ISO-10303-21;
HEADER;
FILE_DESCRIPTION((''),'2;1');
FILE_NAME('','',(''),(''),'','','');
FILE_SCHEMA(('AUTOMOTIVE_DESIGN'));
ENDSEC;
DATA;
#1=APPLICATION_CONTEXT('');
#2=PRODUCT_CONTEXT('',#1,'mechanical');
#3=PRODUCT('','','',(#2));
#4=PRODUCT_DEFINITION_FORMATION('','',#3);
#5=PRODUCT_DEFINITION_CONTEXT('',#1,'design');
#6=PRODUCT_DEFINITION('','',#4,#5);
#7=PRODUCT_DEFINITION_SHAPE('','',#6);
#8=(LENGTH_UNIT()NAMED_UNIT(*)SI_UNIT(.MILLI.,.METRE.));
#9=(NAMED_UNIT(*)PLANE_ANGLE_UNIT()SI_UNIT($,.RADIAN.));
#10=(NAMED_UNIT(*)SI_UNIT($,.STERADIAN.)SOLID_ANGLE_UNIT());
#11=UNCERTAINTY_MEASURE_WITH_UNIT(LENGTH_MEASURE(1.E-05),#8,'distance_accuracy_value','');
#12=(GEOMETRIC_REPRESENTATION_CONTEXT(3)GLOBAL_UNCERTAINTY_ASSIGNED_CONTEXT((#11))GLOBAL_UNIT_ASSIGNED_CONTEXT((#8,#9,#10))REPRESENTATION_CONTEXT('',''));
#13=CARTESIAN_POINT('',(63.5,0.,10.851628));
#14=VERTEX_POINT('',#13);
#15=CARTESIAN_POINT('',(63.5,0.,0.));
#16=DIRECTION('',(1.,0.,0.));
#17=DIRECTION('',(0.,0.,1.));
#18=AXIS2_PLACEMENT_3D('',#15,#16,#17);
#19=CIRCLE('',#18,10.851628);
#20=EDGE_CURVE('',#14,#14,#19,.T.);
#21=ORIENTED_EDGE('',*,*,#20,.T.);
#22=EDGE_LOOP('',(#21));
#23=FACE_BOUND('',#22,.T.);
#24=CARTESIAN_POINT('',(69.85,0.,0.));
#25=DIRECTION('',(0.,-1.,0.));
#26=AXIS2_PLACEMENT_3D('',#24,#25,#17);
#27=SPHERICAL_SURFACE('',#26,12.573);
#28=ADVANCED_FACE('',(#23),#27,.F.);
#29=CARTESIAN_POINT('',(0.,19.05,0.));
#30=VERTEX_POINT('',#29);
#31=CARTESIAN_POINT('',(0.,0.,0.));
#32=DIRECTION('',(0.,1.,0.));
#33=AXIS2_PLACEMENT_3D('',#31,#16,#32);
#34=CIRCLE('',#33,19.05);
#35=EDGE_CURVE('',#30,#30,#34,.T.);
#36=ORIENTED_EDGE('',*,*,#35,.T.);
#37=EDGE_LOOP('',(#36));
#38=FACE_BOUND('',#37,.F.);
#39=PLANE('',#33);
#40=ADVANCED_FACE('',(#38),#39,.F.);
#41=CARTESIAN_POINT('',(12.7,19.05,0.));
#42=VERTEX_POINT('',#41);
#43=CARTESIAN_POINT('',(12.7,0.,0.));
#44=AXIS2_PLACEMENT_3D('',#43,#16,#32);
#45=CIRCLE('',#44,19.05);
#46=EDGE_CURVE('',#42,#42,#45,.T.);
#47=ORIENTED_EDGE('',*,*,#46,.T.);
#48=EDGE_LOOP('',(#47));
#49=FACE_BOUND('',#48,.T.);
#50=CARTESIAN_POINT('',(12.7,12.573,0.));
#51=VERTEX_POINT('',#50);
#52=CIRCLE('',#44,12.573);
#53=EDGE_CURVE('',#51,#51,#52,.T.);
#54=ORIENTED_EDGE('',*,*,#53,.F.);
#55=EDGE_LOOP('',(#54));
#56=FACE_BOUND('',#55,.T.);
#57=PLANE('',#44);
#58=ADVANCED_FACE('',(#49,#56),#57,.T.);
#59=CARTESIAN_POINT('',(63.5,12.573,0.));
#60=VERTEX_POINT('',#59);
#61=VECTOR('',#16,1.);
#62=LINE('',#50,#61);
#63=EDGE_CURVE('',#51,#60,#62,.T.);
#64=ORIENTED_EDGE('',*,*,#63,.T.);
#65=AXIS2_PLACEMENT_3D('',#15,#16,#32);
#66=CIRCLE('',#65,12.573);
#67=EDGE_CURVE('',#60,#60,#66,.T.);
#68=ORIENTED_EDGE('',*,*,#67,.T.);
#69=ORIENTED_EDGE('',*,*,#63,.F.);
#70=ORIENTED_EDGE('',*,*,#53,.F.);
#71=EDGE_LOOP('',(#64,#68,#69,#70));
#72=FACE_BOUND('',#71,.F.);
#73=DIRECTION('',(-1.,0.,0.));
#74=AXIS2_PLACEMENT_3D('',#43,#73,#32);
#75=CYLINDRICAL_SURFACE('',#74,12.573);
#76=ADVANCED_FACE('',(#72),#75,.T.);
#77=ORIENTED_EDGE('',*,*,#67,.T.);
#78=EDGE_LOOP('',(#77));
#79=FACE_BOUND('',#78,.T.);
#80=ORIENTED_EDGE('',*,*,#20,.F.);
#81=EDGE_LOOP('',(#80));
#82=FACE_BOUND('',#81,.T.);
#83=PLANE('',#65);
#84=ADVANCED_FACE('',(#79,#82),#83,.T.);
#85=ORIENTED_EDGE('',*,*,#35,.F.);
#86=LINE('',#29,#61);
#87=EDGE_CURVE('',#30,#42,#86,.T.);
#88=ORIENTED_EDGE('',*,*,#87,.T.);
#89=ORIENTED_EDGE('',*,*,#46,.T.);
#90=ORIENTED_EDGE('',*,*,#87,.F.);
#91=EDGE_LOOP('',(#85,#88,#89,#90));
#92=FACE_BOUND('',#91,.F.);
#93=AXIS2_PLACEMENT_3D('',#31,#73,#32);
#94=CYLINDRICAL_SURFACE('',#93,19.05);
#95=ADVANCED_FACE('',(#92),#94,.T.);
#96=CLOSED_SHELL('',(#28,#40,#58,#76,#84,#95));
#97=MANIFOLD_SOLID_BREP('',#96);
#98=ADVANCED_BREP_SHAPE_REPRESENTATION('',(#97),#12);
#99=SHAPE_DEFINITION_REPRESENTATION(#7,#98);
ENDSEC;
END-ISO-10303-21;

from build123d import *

# Parameters (mm, degrees)
F0_R     = 19.05
F1_DEPTH = 12.7
F2_R     = 12.573
F3_DEPTH = 50.8


with BuildPart() as f1:
    # F0 (on Right) → F1 (new body)
    with BuildSketch(Plane.YZ):
        Circle(F0_R)
    extrude(amount=F1_DEPTH)

    # F2 (on face) → F3 (join)
    with BuildSketch(Plane.YZ.offset(12.7)):
        Circle(F2_R)
    extrude(amount=F3_DEPTH)

    # F5 (on offset) → F6 (revolve, cut)
    with BuildSketch(Plane.YZ.offset(69.85)):
        with BuildLine():
            Line((-12.573, 0), (12.573, 0))
            ThreePointArc((12.573, 0), (0, 12.573), (-12.573, 0))
        make_face()
    revolve(axis=Axis((69.85, 16.413388, 0), (0, 1, 0)), mode=Mode.SUBTRACT)


solid = f1.part
